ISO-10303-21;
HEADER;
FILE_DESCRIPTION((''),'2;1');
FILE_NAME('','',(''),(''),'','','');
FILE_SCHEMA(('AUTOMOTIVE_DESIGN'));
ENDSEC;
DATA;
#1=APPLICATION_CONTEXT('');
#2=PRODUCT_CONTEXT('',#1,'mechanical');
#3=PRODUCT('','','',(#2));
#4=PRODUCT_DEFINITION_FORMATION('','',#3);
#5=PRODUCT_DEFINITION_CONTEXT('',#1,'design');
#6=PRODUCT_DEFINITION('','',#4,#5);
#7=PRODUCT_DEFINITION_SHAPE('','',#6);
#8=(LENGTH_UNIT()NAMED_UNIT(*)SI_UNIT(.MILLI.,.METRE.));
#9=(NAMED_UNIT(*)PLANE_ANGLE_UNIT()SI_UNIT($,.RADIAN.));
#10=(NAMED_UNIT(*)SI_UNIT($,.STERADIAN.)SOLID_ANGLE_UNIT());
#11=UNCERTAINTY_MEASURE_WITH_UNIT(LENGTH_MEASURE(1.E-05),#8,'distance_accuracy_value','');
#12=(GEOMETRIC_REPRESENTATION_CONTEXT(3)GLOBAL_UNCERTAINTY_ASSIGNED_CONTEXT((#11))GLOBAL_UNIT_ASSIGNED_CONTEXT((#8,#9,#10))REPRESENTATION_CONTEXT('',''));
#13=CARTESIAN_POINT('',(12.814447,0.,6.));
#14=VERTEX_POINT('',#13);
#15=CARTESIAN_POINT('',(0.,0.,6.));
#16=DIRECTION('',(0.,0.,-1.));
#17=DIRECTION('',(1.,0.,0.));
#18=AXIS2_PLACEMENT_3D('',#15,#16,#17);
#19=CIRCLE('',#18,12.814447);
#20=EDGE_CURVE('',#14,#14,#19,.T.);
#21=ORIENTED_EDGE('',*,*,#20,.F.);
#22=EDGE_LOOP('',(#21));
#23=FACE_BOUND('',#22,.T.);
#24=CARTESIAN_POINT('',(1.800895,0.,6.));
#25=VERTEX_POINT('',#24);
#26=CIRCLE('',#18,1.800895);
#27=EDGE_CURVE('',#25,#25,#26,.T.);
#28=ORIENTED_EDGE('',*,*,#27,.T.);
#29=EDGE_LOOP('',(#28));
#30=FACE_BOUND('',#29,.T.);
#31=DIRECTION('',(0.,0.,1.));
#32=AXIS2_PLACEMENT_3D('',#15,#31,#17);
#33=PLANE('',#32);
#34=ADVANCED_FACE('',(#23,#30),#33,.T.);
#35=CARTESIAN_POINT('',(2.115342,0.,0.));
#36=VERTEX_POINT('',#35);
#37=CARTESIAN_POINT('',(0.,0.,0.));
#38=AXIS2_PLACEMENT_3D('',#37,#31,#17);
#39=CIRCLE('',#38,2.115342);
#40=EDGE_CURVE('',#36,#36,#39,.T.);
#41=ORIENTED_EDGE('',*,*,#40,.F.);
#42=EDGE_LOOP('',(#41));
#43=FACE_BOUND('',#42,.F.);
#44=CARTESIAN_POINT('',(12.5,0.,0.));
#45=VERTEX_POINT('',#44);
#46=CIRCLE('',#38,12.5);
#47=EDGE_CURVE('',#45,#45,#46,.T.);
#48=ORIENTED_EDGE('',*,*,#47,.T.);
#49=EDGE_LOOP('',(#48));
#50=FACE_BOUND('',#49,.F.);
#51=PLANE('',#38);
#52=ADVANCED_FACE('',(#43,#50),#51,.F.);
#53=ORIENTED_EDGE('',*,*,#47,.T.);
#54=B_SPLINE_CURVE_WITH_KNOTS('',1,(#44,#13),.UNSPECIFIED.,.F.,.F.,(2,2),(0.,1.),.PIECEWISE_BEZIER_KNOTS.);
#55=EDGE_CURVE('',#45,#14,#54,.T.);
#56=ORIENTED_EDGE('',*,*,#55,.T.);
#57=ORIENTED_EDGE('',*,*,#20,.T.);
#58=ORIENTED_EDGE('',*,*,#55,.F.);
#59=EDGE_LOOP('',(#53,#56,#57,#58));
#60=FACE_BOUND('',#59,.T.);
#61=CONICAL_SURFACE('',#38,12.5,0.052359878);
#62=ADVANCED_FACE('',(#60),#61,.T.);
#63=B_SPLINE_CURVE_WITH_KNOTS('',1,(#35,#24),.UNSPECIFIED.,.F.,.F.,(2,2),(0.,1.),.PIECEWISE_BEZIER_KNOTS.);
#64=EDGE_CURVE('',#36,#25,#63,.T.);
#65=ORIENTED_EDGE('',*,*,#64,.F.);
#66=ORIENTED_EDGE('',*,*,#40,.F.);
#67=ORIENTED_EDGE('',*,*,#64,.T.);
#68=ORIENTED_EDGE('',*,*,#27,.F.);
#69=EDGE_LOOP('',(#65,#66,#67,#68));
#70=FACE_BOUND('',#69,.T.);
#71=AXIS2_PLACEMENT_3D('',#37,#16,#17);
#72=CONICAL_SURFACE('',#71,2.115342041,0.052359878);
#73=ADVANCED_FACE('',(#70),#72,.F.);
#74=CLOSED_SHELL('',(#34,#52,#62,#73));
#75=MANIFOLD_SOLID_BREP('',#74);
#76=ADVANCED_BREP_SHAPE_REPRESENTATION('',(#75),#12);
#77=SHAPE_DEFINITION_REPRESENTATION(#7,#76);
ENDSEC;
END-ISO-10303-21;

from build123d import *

# Parameters (mm, degrees)
F0_R     = 12.5
F0_R_2   = 2.1153420415
F1_DEPTH = 6
F1_TAPER = -3


with BuildPart() as f1:
    # F0 (on Top) → F1 (new body)
    with BuildSketch(Plane.XY):
        Circle(F0_R)
        Circle(F0_R_2, mode=Mode.SUBTRACT)
    extrude(amount=F1_DEPTH, taper=F1_TAPER)


solid = f1.part
